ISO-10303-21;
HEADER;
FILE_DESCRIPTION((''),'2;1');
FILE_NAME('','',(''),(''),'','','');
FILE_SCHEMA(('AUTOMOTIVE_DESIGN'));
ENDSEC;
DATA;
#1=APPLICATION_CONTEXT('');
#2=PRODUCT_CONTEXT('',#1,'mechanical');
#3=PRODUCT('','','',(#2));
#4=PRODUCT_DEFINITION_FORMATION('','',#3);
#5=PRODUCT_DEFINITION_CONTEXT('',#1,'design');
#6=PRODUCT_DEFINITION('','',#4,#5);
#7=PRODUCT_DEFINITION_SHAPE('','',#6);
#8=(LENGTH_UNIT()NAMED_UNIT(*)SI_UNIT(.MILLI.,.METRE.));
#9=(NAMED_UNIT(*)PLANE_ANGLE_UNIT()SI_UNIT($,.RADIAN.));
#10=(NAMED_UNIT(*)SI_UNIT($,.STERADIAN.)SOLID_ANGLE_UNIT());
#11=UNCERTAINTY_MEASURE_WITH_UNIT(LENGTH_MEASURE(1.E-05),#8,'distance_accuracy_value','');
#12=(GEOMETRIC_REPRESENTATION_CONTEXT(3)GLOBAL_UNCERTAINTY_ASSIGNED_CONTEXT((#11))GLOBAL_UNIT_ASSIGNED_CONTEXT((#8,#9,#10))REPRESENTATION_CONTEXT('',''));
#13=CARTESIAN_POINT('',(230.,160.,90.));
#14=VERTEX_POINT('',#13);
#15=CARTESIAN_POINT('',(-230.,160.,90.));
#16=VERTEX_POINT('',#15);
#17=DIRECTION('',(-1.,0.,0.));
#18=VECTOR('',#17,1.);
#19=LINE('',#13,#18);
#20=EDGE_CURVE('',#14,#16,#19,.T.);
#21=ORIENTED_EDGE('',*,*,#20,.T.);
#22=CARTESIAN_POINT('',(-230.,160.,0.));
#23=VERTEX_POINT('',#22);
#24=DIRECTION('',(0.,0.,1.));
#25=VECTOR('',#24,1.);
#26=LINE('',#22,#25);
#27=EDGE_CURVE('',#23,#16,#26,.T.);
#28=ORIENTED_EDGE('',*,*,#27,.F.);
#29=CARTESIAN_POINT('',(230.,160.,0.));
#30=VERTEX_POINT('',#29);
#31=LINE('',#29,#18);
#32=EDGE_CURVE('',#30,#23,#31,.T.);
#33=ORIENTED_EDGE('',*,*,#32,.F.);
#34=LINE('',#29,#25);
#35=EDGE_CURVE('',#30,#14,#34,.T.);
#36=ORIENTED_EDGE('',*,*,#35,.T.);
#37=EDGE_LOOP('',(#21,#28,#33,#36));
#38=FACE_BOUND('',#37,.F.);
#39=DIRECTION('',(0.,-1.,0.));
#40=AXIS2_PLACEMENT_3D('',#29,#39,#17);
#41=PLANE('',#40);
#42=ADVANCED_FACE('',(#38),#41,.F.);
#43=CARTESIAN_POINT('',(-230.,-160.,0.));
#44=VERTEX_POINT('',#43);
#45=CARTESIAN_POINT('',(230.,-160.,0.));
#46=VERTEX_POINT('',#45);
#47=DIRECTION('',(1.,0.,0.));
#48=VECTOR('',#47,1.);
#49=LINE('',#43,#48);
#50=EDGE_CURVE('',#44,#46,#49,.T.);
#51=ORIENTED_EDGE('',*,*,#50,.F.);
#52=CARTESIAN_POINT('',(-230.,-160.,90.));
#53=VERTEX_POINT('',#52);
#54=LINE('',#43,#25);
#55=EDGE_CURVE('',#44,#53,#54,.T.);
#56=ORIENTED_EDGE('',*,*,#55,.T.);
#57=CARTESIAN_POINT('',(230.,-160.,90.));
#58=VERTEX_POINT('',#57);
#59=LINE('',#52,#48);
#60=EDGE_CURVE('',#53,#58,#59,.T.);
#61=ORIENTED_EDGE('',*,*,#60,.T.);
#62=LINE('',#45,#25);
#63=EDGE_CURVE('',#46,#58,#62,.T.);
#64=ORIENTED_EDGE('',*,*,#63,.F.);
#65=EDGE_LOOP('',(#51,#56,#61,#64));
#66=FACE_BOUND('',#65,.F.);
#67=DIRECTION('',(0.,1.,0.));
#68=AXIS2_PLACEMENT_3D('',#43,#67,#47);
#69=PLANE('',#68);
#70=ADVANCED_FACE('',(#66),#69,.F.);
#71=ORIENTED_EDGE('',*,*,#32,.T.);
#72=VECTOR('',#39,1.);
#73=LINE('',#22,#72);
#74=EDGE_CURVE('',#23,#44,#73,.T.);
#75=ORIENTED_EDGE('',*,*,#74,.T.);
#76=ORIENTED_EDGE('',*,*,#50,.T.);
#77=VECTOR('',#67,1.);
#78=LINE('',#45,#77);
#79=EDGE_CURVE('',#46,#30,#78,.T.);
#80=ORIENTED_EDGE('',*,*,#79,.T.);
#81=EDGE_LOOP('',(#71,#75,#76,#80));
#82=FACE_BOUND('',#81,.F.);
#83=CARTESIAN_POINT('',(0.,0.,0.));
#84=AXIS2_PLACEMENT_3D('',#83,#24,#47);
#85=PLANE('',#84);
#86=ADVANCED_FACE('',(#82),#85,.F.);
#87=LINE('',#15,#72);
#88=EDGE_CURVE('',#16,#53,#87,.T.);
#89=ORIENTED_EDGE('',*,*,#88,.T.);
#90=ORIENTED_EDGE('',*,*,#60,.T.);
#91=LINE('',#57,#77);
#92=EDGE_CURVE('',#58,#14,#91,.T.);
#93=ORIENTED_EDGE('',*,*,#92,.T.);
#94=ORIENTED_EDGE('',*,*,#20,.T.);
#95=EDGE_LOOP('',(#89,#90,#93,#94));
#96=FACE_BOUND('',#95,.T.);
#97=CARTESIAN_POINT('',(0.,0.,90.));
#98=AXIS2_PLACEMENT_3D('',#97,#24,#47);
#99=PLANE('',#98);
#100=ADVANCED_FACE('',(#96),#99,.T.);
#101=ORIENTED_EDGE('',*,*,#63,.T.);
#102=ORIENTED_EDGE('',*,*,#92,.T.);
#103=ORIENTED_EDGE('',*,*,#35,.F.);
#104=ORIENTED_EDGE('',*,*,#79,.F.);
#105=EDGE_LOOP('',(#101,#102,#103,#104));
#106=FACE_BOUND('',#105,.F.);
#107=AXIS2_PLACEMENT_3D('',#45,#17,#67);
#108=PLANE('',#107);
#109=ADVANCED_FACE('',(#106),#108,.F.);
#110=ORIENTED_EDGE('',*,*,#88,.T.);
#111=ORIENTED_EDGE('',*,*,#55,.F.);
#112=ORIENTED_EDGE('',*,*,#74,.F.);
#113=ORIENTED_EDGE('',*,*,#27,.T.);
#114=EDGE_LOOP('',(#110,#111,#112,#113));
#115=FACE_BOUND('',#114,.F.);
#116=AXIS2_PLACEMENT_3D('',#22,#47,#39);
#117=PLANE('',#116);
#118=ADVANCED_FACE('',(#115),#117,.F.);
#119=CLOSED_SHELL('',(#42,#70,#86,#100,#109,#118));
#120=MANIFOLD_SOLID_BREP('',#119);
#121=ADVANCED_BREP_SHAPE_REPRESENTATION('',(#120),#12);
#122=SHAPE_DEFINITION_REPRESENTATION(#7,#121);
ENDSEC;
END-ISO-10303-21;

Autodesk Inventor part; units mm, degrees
ref_plane "YZ Plane" through (0, 0, 0) normal (1, 0, 0) x (0, 1, 0)
ref_plane "XZ Plane" through (0, 0, 0) normal (0, 1, 0) x (-1, 0, 0)
ref_plane "XY Plane" through (0, 0, 0) normal (0, 0, 1) x (1, 0, 0)
sketch "Sketch1" plane through (0, 0, 0) normal (0, 0, 1) x (1, 0, 0)
  line L0 (-230, -160) -> (230, -160)
  line L1 (230, -160) -> (230, 160)
  line L2 (230, 160) -> (-230, 160)
  line L3 (-230, 160) -> (-230, -160)
  line L4 (-230, -160) -> (230, 160) construction
  line L5 (230, -160) -> (-230, 160) construction
  point P0 (0, 0)
  dimension "d0" = 460
  dimension "d1" = 320
extrude "Extrusion1" add sketch "Sketch1" along normal blind 90
properties part number "boundingbox"
